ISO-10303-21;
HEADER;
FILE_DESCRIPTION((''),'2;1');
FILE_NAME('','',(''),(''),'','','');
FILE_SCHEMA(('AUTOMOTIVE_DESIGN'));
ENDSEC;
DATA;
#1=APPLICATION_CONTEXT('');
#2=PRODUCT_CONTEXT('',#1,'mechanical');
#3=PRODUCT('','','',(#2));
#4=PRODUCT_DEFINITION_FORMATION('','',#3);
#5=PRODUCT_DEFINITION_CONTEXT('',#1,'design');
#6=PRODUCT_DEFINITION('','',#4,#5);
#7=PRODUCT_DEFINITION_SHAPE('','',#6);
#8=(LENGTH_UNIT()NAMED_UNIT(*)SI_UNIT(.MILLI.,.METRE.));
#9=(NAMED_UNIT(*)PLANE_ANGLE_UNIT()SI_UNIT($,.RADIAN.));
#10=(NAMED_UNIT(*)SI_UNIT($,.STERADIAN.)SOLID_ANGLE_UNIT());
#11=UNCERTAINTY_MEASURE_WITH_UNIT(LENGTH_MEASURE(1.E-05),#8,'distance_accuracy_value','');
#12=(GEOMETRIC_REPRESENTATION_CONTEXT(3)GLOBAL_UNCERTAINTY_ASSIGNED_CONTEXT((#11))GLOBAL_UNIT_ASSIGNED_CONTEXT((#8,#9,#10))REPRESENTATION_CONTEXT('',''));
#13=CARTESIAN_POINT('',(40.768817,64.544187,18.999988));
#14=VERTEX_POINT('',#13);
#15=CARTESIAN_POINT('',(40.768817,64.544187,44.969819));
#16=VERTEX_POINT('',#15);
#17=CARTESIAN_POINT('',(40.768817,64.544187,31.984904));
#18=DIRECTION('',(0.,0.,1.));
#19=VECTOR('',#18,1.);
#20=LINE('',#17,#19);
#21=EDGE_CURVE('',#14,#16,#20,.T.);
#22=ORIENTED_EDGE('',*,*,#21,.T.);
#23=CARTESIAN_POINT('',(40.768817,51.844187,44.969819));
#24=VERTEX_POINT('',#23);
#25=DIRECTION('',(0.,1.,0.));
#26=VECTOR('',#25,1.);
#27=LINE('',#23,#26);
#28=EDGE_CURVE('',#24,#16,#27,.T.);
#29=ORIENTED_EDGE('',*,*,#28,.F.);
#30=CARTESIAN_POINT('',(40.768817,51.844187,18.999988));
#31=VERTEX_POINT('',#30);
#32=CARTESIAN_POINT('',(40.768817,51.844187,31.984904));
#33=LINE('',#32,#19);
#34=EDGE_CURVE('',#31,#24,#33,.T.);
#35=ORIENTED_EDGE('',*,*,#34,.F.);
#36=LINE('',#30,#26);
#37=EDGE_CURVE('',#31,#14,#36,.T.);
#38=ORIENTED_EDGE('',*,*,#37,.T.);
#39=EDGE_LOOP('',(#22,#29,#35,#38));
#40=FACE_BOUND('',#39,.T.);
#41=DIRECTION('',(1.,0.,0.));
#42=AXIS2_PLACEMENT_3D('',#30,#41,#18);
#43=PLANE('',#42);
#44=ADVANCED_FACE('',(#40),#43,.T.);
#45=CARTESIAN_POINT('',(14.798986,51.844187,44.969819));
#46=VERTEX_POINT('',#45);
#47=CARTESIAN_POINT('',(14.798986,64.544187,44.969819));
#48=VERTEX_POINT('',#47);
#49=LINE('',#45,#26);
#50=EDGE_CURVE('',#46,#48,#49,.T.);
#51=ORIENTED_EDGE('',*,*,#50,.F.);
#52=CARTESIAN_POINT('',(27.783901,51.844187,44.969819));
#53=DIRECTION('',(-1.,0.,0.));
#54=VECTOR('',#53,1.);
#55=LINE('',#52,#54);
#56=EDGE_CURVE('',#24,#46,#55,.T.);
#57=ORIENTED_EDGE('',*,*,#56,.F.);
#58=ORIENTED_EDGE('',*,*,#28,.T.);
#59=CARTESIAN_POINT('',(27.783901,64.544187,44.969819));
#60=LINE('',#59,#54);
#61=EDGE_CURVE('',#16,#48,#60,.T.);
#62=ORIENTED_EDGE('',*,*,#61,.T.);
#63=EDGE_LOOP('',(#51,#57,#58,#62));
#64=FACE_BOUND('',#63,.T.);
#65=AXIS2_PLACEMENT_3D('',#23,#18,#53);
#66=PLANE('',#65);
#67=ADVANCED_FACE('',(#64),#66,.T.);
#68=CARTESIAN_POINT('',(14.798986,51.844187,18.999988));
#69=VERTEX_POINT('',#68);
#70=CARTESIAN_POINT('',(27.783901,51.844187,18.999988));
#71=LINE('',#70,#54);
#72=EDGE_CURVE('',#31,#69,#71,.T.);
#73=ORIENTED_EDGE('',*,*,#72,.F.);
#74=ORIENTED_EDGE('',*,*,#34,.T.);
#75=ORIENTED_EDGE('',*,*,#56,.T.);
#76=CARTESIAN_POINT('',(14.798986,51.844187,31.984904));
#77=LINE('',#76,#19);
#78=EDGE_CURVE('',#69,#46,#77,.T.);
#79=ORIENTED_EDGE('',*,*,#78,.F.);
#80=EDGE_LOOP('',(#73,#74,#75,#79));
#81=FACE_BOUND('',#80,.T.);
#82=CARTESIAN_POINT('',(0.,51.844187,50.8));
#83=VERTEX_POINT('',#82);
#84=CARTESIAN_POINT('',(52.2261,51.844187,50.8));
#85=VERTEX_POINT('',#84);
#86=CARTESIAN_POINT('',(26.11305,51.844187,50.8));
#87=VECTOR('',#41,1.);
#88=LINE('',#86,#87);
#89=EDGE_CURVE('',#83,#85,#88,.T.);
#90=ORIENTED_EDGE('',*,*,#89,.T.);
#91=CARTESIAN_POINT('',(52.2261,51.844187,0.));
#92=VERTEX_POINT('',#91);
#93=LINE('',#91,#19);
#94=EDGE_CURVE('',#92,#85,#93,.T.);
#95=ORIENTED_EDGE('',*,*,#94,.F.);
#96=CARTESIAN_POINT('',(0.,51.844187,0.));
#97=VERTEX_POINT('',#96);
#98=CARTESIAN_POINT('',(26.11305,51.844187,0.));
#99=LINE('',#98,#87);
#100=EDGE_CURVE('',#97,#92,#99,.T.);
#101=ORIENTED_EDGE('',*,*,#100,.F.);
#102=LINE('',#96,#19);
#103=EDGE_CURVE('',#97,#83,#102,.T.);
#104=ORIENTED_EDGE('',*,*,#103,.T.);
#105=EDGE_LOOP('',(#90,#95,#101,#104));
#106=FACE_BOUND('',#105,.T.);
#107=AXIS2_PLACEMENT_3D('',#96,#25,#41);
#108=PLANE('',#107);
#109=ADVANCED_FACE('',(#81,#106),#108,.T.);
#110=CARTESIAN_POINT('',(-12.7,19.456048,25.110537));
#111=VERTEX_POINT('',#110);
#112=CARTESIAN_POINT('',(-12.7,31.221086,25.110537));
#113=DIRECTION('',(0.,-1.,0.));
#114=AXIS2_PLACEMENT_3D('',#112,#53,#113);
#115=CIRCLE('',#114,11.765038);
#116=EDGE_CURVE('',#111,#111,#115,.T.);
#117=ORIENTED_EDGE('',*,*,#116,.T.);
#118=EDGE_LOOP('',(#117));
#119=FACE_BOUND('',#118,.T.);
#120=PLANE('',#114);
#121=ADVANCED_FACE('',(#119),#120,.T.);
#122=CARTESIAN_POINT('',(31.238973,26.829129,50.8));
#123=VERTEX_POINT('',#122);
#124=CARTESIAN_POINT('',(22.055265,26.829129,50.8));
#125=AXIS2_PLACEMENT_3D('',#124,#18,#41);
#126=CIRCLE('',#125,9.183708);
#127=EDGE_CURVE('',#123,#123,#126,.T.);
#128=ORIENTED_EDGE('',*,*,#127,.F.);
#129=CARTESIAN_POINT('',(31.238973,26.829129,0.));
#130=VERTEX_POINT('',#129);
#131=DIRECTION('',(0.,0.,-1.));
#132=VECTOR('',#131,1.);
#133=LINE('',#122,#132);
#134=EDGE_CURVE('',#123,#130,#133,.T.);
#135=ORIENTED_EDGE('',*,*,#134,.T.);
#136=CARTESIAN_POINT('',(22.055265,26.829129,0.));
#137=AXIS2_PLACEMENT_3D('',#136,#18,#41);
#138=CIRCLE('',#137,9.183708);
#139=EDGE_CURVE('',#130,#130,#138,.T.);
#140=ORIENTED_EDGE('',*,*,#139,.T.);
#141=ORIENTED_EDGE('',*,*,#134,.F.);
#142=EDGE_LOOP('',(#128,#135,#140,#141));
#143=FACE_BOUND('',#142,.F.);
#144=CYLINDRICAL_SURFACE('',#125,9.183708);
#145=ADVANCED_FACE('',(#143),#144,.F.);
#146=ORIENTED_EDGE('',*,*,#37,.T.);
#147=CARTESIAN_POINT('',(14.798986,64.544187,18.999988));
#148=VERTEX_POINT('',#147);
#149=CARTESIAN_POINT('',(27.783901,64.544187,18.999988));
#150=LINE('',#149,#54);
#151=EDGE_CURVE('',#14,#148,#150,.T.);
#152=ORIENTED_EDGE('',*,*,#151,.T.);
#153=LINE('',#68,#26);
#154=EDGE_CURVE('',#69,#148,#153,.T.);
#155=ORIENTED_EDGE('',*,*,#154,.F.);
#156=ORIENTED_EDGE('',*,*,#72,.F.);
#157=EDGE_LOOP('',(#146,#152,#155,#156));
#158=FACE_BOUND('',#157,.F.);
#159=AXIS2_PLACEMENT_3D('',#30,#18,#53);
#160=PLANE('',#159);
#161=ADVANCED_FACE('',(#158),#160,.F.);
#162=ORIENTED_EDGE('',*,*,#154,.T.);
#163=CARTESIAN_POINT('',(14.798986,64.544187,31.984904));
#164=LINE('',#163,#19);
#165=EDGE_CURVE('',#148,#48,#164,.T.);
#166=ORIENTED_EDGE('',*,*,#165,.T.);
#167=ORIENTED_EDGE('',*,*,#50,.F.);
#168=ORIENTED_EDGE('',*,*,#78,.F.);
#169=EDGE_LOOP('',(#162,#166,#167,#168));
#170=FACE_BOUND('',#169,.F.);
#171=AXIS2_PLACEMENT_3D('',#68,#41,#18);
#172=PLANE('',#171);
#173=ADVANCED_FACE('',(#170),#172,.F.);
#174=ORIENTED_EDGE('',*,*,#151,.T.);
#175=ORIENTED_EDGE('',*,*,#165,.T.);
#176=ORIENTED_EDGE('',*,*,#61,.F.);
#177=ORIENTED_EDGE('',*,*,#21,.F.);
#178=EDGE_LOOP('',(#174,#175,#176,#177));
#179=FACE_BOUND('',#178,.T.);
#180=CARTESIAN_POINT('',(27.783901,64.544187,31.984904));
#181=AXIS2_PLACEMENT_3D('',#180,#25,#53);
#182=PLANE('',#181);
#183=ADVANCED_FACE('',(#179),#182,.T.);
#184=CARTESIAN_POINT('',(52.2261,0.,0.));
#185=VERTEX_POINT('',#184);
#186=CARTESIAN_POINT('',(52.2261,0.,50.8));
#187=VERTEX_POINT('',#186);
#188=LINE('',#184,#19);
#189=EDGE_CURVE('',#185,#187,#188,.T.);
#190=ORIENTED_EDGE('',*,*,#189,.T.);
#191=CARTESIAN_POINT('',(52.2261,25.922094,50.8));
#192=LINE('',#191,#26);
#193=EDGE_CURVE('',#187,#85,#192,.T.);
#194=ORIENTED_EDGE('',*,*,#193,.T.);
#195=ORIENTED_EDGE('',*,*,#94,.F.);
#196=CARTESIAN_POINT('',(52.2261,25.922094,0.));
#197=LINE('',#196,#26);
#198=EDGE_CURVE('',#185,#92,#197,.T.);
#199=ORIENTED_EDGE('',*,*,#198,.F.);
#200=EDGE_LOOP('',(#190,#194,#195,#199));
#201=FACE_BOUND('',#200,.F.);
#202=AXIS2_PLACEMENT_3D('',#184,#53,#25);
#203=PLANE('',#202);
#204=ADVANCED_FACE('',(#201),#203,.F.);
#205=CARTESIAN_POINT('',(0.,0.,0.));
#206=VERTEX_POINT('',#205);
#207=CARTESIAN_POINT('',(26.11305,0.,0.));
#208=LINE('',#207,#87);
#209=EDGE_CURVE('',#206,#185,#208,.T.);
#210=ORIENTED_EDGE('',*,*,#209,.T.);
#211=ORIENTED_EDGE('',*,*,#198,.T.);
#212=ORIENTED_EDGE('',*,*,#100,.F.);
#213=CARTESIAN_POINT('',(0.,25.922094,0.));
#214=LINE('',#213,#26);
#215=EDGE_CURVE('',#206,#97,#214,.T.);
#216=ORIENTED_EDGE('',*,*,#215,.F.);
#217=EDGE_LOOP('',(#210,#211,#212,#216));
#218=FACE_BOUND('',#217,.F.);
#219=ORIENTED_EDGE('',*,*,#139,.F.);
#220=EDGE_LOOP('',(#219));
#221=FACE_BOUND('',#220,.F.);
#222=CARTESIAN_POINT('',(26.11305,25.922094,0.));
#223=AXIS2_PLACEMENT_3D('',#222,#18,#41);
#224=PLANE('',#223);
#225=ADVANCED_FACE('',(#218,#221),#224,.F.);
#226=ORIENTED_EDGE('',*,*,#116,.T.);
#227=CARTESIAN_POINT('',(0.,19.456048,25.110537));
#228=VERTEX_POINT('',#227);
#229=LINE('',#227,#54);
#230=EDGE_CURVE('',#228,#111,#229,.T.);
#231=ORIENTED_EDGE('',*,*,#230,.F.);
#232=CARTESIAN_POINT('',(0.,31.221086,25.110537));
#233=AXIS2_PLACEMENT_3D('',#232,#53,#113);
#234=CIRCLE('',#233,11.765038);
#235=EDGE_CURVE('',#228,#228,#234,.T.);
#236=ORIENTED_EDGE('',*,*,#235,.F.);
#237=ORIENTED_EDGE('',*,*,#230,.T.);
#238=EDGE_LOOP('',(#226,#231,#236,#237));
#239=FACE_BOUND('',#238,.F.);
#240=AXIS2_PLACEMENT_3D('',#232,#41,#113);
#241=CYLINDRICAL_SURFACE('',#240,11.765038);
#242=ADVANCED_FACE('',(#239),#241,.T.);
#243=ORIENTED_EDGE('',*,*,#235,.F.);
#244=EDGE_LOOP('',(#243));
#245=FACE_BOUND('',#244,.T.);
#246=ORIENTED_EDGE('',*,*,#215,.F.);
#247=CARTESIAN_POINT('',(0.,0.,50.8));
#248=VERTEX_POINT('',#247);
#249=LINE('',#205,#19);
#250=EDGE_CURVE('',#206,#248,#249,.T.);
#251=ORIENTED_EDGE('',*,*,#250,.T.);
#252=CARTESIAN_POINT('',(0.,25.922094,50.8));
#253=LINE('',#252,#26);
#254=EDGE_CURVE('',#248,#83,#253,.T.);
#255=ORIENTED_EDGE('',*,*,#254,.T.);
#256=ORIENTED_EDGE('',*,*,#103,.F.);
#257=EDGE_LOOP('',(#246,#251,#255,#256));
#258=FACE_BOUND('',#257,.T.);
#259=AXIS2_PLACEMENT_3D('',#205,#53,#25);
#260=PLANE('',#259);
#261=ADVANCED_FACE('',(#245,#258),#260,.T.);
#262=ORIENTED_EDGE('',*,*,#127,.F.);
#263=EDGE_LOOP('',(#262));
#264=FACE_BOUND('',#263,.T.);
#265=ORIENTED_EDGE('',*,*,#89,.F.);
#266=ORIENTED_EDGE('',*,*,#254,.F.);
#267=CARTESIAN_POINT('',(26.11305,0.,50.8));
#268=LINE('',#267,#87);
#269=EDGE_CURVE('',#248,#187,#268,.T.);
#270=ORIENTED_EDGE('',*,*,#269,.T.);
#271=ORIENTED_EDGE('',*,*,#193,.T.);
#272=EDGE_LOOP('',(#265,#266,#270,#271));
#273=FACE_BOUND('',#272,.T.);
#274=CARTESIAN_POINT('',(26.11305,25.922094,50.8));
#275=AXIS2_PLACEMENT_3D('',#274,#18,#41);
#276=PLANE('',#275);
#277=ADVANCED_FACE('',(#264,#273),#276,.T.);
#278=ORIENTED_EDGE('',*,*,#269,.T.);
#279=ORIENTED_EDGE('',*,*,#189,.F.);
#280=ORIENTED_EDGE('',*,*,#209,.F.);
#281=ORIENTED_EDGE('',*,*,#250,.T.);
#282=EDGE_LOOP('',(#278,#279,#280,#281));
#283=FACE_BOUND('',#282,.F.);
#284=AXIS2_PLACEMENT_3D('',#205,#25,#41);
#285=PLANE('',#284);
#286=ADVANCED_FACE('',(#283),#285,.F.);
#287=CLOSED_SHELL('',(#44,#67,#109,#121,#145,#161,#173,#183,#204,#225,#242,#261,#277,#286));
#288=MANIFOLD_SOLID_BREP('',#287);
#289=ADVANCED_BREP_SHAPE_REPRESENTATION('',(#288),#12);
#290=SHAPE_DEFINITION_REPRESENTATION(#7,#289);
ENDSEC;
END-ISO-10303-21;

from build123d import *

# Parameters (mm, degrees)
F0_W     = 52.226100117
F0_H     = 51.8441870809
F1_DEPTH = 50.8
F2_R     = 9.1837080102
F3_DEPTH = 58.674
F4_W     = 25.969831273
F4_H     = 25.969831273
F5_DEPTH = 12.7
F6_R     = 11.765038499
F7_DEPTH = 12.7


with BuildPart() as f1:
    # F0 (on Top) → F1 (new body)
    with BuildSketch(Plane.XY):
        with Locations((26.1130500585, 25.9220935404)):
            Rectangle(F0_W, F0_H)
    extrude(amount=F1_DEPTH)

    # F2 (on face) → F3 (cut)
    with BuildSketch(Plane.XY.offset(50.8)):
        with Locations((22.0552645624, 26.8291290849)):
            Circle(F2_R)
    extrude(amount=-F3_DEPTH, mode=Mode.SUBTRACT)

    # F4 (on face) → F5 (join)
    with BuildSketch(Plane(origin=(0, 51.8441870809, 0), x_dir=(-1, 0, 0), z_dir=(0, 1, 0))):
        with Locations((-27.7839014307, 31.9849038497)):
            Rectangle(F4_W, F4_H)
    extrude(amount=F5_DEPTH)

    # F6 (on face) → F7 (join)
    with BuildSketch(Plane(origin=(0, 0, 0), x_dir=(0, -1, 0), z_dir=(-1, 0, 0))):
        with Locations((-31.2210861593, 25.1105371863)):
            Circle(F6_R)
    extrude(amount=F7_DEPTH)


solid = f1.part
